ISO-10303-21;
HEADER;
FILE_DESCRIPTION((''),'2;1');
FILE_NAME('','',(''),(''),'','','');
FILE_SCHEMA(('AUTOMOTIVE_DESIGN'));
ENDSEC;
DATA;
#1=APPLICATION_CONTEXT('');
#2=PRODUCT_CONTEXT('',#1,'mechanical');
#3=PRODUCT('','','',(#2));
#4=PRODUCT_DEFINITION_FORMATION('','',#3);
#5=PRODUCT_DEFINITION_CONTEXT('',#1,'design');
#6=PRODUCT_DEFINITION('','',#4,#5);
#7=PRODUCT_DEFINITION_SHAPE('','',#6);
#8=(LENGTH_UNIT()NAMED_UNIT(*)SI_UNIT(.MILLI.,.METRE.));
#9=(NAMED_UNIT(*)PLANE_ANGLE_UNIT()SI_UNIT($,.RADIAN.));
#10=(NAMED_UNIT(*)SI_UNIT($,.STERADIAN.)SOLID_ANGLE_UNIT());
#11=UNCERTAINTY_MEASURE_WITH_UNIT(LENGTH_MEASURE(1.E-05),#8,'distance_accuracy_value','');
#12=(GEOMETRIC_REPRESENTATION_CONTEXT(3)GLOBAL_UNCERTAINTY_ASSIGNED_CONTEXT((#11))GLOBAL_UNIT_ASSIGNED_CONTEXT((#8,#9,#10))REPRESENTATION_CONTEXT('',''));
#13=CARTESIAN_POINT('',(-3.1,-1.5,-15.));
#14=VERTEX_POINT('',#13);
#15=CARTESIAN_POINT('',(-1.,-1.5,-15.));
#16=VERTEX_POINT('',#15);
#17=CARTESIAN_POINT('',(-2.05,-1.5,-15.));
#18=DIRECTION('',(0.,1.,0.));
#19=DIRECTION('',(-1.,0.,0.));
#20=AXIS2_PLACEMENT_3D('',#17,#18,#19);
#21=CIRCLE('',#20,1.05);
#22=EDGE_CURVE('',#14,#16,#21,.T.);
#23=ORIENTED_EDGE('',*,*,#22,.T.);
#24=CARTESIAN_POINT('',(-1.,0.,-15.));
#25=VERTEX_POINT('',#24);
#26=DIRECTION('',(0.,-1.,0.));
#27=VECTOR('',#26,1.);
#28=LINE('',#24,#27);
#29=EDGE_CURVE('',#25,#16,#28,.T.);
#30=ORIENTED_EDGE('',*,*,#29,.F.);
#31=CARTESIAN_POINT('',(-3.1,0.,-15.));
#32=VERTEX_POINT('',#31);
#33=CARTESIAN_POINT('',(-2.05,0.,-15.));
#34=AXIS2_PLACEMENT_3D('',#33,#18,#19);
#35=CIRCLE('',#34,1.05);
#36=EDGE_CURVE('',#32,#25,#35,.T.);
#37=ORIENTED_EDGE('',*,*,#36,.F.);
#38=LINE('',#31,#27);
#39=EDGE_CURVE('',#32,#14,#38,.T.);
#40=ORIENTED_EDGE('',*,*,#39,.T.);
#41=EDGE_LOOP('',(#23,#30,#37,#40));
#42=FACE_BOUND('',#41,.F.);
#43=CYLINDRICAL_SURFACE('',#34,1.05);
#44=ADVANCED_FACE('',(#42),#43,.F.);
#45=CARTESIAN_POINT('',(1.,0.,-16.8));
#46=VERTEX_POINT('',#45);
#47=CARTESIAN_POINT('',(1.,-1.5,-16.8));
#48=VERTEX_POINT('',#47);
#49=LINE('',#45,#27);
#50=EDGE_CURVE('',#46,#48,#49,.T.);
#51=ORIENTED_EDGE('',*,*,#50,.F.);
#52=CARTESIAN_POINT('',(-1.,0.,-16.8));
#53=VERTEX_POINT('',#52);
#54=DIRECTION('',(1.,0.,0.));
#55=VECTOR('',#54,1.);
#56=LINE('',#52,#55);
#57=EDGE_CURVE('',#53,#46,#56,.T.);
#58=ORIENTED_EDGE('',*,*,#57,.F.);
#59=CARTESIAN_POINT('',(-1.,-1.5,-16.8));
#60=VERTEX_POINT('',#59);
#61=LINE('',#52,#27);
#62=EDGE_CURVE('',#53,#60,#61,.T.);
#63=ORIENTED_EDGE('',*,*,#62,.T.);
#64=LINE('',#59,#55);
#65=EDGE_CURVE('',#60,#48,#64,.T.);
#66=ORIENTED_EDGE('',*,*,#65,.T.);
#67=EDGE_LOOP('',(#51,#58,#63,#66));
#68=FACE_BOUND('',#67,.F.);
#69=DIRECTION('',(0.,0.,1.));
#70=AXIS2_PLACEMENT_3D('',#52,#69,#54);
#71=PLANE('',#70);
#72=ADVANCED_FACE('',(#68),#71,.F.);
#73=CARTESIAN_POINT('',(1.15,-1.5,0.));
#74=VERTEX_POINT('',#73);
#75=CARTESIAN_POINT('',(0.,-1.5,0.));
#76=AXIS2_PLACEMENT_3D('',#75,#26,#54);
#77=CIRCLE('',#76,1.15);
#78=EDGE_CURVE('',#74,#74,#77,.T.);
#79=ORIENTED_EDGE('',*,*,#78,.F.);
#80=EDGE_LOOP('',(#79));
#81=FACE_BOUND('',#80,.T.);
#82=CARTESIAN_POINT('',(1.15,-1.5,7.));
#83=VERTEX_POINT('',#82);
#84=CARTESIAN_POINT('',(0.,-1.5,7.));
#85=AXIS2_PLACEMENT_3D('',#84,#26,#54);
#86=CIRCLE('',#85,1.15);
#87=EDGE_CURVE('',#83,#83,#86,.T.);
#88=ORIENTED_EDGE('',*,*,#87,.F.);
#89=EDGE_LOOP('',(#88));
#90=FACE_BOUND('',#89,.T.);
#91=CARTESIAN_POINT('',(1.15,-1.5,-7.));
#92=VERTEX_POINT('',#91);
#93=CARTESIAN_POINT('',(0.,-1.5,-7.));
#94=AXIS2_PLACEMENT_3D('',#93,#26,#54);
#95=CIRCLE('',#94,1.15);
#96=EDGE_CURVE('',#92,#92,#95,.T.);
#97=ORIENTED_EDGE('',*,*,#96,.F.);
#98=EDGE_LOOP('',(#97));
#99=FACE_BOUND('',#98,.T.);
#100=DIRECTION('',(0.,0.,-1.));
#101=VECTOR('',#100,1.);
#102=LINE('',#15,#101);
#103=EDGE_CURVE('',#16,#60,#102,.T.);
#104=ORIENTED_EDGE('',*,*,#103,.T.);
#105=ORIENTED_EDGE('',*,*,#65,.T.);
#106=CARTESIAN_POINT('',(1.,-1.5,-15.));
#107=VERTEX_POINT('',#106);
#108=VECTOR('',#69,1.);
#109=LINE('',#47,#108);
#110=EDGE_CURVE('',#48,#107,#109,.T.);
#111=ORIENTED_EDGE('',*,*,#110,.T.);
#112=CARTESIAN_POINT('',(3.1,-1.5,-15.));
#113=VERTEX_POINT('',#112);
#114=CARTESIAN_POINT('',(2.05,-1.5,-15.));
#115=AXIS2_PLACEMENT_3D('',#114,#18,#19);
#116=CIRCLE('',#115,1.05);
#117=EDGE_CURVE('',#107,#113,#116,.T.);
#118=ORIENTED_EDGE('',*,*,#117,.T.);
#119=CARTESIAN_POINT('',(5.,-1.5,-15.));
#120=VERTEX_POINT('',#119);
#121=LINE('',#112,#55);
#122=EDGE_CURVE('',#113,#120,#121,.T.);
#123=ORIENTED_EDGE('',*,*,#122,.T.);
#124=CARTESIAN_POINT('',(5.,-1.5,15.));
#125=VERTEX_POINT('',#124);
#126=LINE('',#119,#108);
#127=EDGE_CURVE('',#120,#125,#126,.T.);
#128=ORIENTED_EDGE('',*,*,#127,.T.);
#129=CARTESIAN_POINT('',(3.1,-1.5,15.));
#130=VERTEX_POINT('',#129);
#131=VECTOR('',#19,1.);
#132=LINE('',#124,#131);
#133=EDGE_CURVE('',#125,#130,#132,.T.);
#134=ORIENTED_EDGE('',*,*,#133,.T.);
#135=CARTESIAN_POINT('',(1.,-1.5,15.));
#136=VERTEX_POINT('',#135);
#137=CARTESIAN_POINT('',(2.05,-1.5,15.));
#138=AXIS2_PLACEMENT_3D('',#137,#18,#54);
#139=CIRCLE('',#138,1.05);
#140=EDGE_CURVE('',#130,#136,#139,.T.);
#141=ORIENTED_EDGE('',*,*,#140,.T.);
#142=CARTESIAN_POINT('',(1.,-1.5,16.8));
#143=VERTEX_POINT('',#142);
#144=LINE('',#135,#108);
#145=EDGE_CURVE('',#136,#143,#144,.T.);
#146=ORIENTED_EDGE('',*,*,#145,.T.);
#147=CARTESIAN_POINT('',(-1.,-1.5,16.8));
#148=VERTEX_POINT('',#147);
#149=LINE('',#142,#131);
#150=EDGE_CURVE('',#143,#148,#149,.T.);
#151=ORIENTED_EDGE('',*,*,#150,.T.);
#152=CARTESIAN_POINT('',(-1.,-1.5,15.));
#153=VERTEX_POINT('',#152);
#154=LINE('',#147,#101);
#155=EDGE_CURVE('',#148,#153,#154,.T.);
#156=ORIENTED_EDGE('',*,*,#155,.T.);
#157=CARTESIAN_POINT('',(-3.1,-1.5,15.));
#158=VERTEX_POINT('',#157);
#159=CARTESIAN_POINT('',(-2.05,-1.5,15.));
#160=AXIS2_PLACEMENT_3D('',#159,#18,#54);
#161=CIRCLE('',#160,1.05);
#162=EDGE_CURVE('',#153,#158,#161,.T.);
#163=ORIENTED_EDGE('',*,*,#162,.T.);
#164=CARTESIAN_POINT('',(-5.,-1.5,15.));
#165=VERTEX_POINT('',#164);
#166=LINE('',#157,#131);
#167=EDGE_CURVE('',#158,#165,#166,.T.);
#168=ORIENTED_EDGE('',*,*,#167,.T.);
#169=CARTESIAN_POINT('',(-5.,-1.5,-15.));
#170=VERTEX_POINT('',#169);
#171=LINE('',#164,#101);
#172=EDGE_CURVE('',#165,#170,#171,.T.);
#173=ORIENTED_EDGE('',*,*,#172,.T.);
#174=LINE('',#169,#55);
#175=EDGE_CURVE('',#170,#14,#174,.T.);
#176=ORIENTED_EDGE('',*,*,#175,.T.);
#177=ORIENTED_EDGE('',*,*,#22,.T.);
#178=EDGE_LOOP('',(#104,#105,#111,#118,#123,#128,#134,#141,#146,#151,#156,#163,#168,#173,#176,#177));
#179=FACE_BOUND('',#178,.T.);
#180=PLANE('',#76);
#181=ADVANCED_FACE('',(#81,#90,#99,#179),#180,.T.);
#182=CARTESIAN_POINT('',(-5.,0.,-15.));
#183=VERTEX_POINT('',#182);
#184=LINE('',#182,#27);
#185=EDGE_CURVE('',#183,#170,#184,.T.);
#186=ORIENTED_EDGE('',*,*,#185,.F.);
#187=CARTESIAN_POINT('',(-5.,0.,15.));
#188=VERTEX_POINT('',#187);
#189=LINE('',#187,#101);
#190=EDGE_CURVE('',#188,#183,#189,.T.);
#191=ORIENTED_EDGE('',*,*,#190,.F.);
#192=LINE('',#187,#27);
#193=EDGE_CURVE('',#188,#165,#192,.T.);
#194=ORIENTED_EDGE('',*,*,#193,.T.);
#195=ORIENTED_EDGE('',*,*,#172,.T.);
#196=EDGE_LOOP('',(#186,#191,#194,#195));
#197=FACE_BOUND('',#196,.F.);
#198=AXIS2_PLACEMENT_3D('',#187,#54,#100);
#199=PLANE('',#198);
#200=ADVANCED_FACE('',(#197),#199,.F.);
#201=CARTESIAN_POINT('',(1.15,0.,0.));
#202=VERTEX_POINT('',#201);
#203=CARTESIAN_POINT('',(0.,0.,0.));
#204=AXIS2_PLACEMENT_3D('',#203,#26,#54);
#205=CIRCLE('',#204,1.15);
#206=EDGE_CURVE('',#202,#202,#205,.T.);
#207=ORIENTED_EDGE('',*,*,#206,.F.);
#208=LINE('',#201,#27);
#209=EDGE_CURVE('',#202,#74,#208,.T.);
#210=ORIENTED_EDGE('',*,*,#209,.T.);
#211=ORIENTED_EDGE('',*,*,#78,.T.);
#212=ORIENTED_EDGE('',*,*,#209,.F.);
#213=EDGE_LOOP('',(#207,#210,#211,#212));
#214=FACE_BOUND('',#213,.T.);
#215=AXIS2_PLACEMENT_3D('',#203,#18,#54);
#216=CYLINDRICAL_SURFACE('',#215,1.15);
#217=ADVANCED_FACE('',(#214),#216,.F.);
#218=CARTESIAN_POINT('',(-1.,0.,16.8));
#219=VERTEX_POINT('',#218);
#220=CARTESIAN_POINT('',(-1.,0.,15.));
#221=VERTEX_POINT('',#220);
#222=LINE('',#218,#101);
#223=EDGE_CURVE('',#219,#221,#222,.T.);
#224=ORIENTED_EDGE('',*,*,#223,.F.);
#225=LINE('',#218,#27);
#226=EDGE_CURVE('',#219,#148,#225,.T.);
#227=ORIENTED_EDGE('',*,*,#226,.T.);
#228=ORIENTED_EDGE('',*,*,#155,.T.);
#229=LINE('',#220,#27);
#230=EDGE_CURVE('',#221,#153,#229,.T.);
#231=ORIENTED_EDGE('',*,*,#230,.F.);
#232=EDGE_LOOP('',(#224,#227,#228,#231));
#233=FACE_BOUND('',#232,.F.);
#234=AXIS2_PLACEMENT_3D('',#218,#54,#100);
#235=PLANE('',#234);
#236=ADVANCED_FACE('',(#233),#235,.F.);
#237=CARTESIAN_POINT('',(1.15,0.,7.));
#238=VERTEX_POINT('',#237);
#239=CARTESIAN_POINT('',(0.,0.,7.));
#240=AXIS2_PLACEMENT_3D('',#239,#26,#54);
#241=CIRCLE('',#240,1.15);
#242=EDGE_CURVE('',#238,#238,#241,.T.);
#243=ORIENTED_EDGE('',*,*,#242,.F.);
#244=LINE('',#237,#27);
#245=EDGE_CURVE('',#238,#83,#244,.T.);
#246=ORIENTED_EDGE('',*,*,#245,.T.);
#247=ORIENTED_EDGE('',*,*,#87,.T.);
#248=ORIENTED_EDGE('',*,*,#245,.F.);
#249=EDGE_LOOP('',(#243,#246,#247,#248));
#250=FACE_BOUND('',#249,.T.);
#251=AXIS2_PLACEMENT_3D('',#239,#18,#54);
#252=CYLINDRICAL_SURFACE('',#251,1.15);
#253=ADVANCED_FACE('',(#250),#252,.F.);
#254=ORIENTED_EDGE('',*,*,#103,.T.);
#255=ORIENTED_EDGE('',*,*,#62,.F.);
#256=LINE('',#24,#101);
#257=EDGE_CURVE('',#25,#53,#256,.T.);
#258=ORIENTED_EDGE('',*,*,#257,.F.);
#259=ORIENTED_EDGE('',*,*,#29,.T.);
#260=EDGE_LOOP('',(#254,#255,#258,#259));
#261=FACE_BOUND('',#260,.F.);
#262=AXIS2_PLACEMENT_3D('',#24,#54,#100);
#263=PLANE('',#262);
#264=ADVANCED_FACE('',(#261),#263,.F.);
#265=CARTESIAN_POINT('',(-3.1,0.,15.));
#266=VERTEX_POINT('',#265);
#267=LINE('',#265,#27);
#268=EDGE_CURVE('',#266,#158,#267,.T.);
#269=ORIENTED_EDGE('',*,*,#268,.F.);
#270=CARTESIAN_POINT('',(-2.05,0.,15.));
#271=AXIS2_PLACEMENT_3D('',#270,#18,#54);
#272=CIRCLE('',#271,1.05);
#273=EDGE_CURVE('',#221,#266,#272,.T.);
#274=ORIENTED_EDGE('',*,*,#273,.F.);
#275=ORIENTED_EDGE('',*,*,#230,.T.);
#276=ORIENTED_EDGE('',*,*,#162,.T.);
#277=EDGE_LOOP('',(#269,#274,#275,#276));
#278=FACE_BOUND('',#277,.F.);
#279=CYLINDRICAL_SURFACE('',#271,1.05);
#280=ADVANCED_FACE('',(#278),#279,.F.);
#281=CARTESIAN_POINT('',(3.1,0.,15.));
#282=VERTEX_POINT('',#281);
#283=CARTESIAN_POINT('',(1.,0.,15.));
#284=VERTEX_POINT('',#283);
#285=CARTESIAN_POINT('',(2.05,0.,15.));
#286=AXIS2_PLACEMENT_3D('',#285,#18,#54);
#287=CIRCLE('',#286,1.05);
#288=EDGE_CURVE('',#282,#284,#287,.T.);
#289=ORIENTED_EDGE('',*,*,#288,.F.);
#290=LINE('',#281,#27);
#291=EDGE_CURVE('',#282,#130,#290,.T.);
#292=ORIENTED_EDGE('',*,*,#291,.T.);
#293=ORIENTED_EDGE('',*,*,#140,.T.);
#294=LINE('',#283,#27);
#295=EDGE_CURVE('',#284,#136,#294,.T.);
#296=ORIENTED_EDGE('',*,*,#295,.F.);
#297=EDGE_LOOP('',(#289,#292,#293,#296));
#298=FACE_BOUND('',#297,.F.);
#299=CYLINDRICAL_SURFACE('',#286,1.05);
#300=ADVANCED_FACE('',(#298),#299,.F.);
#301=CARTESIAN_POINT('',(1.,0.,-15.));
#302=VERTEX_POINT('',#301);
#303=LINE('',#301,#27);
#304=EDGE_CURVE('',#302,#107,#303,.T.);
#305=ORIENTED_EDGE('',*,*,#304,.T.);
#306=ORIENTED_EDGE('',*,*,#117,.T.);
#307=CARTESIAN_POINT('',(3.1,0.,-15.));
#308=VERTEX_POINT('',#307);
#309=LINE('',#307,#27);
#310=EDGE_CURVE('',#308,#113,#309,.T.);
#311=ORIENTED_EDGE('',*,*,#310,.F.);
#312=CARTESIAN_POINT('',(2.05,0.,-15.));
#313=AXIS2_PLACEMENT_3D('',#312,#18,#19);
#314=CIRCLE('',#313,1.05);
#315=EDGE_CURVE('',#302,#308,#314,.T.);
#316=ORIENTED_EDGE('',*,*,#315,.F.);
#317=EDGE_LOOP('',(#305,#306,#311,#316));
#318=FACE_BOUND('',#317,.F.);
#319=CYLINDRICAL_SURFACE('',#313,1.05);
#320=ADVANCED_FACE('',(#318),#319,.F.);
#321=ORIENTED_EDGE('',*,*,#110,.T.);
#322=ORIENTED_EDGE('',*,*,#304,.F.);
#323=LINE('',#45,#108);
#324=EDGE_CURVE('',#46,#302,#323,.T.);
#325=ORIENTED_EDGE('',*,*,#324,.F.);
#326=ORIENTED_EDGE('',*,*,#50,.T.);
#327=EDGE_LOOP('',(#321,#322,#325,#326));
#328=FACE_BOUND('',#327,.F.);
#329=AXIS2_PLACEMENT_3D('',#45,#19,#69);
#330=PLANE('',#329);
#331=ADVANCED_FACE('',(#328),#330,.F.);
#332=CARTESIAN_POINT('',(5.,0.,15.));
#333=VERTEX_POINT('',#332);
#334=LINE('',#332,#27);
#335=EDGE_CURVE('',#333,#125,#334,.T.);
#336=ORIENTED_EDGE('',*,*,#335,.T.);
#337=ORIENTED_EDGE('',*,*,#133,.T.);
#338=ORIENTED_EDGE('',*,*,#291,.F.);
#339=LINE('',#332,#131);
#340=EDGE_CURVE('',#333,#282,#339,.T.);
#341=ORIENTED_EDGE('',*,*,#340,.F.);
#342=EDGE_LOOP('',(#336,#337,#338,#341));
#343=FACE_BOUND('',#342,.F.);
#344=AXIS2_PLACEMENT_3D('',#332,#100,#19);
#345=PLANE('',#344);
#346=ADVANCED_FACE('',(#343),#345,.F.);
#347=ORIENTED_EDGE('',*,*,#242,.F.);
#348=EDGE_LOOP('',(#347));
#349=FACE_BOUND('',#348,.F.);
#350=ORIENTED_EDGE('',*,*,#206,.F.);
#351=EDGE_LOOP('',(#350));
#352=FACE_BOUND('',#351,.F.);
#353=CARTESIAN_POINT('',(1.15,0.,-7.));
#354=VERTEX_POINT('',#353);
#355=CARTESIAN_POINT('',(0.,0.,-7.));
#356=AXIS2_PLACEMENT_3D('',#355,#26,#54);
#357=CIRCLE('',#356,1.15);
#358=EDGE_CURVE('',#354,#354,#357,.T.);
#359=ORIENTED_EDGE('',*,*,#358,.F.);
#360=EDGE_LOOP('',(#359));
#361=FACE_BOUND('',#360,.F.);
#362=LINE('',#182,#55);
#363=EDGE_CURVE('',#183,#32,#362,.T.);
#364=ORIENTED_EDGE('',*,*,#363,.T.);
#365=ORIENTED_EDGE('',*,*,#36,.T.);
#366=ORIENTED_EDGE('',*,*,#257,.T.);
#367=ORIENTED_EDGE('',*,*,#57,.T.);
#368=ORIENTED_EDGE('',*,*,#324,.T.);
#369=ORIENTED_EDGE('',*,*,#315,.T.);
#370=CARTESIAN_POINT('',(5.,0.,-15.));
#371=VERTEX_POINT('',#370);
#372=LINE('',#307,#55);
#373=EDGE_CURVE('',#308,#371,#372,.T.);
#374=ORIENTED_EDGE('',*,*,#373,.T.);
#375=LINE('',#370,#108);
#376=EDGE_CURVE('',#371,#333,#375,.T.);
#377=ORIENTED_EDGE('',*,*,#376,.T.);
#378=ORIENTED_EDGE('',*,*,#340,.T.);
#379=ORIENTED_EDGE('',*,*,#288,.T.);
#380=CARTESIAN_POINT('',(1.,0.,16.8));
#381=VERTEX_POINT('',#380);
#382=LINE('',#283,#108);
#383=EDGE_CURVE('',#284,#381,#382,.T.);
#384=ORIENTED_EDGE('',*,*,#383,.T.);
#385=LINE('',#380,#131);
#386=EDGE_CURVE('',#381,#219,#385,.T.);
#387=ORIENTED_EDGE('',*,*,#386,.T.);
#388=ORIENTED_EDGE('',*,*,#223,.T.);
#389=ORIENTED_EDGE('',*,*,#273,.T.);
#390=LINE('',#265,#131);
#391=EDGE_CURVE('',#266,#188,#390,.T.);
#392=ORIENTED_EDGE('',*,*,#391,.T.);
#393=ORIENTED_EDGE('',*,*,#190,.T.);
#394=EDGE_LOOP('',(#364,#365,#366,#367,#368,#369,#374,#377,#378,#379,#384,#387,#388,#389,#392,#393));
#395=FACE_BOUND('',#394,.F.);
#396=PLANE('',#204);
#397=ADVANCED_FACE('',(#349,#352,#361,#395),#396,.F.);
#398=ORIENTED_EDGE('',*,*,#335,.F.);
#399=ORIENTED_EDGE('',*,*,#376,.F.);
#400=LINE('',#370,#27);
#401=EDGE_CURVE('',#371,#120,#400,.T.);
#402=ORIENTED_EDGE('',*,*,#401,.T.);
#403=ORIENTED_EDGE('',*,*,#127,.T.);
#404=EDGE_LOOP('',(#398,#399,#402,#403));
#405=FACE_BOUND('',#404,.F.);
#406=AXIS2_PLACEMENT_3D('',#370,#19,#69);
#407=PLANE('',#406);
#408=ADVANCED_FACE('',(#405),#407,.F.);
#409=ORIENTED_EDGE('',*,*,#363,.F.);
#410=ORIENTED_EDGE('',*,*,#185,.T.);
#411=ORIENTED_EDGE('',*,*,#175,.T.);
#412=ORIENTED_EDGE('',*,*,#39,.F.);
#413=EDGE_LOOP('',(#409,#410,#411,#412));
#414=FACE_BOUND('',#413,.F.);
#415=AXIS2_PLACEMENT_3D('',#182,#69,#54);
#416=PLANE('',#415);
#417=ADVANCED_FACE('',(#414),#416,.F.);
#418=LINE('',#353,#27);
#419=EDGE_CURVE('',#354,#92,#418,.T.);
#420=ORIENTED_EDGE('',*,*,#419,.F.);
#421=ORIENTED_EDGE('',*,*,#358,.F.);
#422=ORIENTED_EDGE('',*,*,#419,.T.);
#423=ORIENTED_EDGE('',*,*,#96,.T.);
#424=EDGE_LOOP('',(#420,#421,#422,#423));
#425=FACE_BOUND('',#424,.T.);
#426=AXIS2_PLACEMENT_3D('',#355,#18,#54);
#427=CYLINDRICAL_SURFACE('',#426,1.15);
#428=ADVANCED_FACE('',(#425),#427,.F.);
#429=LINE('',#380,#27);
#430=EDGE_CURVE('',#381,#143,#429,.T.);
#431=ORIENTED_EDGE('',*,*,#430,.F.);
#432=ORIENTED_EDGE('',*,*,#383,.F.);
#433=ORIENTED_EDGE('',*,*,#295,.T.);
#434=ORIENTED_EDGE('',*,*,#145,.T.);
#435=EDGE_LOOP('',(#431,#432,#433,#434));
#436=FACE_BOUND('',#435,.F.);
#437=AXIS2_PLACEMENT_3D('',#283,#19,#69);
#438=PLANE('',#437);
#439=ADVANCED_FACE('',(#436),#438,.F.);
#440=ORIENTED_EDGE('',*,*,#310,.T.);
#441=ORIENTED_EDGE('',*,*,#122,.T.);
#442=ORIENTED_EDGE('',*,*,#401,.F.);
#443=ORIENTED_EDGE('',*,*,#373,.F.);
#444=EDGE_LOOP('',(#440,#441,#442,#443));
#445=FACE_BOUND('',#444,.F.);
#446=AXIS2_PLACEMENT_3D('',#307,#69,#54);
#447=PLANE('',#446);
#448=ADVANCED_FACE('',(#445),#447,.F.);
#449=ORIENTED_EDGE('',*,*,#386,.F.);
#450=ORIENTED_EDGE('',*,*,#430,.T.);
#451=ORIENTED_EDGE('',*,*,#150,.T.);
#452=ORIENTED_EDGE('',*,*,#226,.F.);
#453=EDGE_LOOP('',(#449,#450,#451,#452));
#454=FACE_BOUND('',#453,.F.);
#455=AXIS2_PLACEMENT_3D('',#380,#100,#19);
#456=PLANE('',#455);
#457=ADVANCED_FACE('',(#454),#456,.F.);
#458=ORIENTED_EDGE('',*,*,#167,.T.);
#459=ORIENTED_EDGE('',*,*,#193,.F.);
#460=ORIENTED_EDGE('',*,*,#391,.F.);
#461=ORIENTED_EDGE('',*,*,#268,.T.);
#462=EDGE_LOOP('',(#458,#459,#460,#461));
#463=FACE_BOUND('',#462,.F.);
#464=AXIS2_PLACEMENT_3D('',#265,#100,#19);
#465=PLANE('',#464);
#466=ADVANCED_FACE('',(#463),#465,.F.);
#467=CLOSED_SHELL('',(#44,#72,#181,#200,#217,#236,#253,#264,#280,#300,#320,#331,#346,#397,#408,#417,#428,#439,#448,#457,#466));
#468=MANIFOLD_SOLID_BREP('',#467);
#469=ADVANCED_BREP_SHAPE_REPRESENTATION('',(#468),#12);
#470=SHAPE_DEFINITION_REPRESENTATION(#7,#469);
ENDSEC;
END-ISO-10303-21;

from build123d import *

# Parameters (mm, degrees)
F0_R     = 1.15
F1_DEPTH = 1.5


with BuildPart() as f1:
    # F0 (on Front) → F1 (new body)
    with BuildSketch(Plane.XZ):
        with BuildLine():
            Line((-5, 15), (-5, 0))
            Line((-5, 0), (-5, -15))
            Line((-5, -15), (-3.1, -15))
            ThreePointArc((-3.1, -15), (-2.05, -13.95), (-1, -15))
            Line((-1, -15), (-1, -16.8))
            Line((-1, -16.8), (0, -16.8))
            Line((0, -16.8), (1, -16.8))
            Line((1, -16.8), (1, -15))
            ThreePointArc((1, -15), (2.05, -13.95), (3.1, -15))
            Line((3.1, -15), (5, -15))
            Line((5, -15), (5, 0))
            Line((5, 0), (5, 15))
            Line((5, 15), (3.1, 15))
            ThreePointArc((3.1, 15), (2.05, 13.95), (1, 15))
            Line((1, 15), (1, 16.8))
            Line((1, 16.8), (0, 16.8))
            Line((0, 16.8), (-1, 16.8))
            Line((-1, 16.8), (-1, 15))
            ThreePointArc((-1, 15), (-2.05, 13.95), (-3.1, 15))
            Line((-3.1, 15), (-5, 15))
        make_face()
        with Locations((0, -7)):
            Circle(F0_R, mode=Mode.SUBTRACT)
        Circle(F0_R, mode=Mode.SUBTRACT)
        with Locations((0, 7)):
            Circle(F0_R, mode=Mode.SUBTRACT)
    extrude(amount=F1_DEPTH)


solid = f1.part
